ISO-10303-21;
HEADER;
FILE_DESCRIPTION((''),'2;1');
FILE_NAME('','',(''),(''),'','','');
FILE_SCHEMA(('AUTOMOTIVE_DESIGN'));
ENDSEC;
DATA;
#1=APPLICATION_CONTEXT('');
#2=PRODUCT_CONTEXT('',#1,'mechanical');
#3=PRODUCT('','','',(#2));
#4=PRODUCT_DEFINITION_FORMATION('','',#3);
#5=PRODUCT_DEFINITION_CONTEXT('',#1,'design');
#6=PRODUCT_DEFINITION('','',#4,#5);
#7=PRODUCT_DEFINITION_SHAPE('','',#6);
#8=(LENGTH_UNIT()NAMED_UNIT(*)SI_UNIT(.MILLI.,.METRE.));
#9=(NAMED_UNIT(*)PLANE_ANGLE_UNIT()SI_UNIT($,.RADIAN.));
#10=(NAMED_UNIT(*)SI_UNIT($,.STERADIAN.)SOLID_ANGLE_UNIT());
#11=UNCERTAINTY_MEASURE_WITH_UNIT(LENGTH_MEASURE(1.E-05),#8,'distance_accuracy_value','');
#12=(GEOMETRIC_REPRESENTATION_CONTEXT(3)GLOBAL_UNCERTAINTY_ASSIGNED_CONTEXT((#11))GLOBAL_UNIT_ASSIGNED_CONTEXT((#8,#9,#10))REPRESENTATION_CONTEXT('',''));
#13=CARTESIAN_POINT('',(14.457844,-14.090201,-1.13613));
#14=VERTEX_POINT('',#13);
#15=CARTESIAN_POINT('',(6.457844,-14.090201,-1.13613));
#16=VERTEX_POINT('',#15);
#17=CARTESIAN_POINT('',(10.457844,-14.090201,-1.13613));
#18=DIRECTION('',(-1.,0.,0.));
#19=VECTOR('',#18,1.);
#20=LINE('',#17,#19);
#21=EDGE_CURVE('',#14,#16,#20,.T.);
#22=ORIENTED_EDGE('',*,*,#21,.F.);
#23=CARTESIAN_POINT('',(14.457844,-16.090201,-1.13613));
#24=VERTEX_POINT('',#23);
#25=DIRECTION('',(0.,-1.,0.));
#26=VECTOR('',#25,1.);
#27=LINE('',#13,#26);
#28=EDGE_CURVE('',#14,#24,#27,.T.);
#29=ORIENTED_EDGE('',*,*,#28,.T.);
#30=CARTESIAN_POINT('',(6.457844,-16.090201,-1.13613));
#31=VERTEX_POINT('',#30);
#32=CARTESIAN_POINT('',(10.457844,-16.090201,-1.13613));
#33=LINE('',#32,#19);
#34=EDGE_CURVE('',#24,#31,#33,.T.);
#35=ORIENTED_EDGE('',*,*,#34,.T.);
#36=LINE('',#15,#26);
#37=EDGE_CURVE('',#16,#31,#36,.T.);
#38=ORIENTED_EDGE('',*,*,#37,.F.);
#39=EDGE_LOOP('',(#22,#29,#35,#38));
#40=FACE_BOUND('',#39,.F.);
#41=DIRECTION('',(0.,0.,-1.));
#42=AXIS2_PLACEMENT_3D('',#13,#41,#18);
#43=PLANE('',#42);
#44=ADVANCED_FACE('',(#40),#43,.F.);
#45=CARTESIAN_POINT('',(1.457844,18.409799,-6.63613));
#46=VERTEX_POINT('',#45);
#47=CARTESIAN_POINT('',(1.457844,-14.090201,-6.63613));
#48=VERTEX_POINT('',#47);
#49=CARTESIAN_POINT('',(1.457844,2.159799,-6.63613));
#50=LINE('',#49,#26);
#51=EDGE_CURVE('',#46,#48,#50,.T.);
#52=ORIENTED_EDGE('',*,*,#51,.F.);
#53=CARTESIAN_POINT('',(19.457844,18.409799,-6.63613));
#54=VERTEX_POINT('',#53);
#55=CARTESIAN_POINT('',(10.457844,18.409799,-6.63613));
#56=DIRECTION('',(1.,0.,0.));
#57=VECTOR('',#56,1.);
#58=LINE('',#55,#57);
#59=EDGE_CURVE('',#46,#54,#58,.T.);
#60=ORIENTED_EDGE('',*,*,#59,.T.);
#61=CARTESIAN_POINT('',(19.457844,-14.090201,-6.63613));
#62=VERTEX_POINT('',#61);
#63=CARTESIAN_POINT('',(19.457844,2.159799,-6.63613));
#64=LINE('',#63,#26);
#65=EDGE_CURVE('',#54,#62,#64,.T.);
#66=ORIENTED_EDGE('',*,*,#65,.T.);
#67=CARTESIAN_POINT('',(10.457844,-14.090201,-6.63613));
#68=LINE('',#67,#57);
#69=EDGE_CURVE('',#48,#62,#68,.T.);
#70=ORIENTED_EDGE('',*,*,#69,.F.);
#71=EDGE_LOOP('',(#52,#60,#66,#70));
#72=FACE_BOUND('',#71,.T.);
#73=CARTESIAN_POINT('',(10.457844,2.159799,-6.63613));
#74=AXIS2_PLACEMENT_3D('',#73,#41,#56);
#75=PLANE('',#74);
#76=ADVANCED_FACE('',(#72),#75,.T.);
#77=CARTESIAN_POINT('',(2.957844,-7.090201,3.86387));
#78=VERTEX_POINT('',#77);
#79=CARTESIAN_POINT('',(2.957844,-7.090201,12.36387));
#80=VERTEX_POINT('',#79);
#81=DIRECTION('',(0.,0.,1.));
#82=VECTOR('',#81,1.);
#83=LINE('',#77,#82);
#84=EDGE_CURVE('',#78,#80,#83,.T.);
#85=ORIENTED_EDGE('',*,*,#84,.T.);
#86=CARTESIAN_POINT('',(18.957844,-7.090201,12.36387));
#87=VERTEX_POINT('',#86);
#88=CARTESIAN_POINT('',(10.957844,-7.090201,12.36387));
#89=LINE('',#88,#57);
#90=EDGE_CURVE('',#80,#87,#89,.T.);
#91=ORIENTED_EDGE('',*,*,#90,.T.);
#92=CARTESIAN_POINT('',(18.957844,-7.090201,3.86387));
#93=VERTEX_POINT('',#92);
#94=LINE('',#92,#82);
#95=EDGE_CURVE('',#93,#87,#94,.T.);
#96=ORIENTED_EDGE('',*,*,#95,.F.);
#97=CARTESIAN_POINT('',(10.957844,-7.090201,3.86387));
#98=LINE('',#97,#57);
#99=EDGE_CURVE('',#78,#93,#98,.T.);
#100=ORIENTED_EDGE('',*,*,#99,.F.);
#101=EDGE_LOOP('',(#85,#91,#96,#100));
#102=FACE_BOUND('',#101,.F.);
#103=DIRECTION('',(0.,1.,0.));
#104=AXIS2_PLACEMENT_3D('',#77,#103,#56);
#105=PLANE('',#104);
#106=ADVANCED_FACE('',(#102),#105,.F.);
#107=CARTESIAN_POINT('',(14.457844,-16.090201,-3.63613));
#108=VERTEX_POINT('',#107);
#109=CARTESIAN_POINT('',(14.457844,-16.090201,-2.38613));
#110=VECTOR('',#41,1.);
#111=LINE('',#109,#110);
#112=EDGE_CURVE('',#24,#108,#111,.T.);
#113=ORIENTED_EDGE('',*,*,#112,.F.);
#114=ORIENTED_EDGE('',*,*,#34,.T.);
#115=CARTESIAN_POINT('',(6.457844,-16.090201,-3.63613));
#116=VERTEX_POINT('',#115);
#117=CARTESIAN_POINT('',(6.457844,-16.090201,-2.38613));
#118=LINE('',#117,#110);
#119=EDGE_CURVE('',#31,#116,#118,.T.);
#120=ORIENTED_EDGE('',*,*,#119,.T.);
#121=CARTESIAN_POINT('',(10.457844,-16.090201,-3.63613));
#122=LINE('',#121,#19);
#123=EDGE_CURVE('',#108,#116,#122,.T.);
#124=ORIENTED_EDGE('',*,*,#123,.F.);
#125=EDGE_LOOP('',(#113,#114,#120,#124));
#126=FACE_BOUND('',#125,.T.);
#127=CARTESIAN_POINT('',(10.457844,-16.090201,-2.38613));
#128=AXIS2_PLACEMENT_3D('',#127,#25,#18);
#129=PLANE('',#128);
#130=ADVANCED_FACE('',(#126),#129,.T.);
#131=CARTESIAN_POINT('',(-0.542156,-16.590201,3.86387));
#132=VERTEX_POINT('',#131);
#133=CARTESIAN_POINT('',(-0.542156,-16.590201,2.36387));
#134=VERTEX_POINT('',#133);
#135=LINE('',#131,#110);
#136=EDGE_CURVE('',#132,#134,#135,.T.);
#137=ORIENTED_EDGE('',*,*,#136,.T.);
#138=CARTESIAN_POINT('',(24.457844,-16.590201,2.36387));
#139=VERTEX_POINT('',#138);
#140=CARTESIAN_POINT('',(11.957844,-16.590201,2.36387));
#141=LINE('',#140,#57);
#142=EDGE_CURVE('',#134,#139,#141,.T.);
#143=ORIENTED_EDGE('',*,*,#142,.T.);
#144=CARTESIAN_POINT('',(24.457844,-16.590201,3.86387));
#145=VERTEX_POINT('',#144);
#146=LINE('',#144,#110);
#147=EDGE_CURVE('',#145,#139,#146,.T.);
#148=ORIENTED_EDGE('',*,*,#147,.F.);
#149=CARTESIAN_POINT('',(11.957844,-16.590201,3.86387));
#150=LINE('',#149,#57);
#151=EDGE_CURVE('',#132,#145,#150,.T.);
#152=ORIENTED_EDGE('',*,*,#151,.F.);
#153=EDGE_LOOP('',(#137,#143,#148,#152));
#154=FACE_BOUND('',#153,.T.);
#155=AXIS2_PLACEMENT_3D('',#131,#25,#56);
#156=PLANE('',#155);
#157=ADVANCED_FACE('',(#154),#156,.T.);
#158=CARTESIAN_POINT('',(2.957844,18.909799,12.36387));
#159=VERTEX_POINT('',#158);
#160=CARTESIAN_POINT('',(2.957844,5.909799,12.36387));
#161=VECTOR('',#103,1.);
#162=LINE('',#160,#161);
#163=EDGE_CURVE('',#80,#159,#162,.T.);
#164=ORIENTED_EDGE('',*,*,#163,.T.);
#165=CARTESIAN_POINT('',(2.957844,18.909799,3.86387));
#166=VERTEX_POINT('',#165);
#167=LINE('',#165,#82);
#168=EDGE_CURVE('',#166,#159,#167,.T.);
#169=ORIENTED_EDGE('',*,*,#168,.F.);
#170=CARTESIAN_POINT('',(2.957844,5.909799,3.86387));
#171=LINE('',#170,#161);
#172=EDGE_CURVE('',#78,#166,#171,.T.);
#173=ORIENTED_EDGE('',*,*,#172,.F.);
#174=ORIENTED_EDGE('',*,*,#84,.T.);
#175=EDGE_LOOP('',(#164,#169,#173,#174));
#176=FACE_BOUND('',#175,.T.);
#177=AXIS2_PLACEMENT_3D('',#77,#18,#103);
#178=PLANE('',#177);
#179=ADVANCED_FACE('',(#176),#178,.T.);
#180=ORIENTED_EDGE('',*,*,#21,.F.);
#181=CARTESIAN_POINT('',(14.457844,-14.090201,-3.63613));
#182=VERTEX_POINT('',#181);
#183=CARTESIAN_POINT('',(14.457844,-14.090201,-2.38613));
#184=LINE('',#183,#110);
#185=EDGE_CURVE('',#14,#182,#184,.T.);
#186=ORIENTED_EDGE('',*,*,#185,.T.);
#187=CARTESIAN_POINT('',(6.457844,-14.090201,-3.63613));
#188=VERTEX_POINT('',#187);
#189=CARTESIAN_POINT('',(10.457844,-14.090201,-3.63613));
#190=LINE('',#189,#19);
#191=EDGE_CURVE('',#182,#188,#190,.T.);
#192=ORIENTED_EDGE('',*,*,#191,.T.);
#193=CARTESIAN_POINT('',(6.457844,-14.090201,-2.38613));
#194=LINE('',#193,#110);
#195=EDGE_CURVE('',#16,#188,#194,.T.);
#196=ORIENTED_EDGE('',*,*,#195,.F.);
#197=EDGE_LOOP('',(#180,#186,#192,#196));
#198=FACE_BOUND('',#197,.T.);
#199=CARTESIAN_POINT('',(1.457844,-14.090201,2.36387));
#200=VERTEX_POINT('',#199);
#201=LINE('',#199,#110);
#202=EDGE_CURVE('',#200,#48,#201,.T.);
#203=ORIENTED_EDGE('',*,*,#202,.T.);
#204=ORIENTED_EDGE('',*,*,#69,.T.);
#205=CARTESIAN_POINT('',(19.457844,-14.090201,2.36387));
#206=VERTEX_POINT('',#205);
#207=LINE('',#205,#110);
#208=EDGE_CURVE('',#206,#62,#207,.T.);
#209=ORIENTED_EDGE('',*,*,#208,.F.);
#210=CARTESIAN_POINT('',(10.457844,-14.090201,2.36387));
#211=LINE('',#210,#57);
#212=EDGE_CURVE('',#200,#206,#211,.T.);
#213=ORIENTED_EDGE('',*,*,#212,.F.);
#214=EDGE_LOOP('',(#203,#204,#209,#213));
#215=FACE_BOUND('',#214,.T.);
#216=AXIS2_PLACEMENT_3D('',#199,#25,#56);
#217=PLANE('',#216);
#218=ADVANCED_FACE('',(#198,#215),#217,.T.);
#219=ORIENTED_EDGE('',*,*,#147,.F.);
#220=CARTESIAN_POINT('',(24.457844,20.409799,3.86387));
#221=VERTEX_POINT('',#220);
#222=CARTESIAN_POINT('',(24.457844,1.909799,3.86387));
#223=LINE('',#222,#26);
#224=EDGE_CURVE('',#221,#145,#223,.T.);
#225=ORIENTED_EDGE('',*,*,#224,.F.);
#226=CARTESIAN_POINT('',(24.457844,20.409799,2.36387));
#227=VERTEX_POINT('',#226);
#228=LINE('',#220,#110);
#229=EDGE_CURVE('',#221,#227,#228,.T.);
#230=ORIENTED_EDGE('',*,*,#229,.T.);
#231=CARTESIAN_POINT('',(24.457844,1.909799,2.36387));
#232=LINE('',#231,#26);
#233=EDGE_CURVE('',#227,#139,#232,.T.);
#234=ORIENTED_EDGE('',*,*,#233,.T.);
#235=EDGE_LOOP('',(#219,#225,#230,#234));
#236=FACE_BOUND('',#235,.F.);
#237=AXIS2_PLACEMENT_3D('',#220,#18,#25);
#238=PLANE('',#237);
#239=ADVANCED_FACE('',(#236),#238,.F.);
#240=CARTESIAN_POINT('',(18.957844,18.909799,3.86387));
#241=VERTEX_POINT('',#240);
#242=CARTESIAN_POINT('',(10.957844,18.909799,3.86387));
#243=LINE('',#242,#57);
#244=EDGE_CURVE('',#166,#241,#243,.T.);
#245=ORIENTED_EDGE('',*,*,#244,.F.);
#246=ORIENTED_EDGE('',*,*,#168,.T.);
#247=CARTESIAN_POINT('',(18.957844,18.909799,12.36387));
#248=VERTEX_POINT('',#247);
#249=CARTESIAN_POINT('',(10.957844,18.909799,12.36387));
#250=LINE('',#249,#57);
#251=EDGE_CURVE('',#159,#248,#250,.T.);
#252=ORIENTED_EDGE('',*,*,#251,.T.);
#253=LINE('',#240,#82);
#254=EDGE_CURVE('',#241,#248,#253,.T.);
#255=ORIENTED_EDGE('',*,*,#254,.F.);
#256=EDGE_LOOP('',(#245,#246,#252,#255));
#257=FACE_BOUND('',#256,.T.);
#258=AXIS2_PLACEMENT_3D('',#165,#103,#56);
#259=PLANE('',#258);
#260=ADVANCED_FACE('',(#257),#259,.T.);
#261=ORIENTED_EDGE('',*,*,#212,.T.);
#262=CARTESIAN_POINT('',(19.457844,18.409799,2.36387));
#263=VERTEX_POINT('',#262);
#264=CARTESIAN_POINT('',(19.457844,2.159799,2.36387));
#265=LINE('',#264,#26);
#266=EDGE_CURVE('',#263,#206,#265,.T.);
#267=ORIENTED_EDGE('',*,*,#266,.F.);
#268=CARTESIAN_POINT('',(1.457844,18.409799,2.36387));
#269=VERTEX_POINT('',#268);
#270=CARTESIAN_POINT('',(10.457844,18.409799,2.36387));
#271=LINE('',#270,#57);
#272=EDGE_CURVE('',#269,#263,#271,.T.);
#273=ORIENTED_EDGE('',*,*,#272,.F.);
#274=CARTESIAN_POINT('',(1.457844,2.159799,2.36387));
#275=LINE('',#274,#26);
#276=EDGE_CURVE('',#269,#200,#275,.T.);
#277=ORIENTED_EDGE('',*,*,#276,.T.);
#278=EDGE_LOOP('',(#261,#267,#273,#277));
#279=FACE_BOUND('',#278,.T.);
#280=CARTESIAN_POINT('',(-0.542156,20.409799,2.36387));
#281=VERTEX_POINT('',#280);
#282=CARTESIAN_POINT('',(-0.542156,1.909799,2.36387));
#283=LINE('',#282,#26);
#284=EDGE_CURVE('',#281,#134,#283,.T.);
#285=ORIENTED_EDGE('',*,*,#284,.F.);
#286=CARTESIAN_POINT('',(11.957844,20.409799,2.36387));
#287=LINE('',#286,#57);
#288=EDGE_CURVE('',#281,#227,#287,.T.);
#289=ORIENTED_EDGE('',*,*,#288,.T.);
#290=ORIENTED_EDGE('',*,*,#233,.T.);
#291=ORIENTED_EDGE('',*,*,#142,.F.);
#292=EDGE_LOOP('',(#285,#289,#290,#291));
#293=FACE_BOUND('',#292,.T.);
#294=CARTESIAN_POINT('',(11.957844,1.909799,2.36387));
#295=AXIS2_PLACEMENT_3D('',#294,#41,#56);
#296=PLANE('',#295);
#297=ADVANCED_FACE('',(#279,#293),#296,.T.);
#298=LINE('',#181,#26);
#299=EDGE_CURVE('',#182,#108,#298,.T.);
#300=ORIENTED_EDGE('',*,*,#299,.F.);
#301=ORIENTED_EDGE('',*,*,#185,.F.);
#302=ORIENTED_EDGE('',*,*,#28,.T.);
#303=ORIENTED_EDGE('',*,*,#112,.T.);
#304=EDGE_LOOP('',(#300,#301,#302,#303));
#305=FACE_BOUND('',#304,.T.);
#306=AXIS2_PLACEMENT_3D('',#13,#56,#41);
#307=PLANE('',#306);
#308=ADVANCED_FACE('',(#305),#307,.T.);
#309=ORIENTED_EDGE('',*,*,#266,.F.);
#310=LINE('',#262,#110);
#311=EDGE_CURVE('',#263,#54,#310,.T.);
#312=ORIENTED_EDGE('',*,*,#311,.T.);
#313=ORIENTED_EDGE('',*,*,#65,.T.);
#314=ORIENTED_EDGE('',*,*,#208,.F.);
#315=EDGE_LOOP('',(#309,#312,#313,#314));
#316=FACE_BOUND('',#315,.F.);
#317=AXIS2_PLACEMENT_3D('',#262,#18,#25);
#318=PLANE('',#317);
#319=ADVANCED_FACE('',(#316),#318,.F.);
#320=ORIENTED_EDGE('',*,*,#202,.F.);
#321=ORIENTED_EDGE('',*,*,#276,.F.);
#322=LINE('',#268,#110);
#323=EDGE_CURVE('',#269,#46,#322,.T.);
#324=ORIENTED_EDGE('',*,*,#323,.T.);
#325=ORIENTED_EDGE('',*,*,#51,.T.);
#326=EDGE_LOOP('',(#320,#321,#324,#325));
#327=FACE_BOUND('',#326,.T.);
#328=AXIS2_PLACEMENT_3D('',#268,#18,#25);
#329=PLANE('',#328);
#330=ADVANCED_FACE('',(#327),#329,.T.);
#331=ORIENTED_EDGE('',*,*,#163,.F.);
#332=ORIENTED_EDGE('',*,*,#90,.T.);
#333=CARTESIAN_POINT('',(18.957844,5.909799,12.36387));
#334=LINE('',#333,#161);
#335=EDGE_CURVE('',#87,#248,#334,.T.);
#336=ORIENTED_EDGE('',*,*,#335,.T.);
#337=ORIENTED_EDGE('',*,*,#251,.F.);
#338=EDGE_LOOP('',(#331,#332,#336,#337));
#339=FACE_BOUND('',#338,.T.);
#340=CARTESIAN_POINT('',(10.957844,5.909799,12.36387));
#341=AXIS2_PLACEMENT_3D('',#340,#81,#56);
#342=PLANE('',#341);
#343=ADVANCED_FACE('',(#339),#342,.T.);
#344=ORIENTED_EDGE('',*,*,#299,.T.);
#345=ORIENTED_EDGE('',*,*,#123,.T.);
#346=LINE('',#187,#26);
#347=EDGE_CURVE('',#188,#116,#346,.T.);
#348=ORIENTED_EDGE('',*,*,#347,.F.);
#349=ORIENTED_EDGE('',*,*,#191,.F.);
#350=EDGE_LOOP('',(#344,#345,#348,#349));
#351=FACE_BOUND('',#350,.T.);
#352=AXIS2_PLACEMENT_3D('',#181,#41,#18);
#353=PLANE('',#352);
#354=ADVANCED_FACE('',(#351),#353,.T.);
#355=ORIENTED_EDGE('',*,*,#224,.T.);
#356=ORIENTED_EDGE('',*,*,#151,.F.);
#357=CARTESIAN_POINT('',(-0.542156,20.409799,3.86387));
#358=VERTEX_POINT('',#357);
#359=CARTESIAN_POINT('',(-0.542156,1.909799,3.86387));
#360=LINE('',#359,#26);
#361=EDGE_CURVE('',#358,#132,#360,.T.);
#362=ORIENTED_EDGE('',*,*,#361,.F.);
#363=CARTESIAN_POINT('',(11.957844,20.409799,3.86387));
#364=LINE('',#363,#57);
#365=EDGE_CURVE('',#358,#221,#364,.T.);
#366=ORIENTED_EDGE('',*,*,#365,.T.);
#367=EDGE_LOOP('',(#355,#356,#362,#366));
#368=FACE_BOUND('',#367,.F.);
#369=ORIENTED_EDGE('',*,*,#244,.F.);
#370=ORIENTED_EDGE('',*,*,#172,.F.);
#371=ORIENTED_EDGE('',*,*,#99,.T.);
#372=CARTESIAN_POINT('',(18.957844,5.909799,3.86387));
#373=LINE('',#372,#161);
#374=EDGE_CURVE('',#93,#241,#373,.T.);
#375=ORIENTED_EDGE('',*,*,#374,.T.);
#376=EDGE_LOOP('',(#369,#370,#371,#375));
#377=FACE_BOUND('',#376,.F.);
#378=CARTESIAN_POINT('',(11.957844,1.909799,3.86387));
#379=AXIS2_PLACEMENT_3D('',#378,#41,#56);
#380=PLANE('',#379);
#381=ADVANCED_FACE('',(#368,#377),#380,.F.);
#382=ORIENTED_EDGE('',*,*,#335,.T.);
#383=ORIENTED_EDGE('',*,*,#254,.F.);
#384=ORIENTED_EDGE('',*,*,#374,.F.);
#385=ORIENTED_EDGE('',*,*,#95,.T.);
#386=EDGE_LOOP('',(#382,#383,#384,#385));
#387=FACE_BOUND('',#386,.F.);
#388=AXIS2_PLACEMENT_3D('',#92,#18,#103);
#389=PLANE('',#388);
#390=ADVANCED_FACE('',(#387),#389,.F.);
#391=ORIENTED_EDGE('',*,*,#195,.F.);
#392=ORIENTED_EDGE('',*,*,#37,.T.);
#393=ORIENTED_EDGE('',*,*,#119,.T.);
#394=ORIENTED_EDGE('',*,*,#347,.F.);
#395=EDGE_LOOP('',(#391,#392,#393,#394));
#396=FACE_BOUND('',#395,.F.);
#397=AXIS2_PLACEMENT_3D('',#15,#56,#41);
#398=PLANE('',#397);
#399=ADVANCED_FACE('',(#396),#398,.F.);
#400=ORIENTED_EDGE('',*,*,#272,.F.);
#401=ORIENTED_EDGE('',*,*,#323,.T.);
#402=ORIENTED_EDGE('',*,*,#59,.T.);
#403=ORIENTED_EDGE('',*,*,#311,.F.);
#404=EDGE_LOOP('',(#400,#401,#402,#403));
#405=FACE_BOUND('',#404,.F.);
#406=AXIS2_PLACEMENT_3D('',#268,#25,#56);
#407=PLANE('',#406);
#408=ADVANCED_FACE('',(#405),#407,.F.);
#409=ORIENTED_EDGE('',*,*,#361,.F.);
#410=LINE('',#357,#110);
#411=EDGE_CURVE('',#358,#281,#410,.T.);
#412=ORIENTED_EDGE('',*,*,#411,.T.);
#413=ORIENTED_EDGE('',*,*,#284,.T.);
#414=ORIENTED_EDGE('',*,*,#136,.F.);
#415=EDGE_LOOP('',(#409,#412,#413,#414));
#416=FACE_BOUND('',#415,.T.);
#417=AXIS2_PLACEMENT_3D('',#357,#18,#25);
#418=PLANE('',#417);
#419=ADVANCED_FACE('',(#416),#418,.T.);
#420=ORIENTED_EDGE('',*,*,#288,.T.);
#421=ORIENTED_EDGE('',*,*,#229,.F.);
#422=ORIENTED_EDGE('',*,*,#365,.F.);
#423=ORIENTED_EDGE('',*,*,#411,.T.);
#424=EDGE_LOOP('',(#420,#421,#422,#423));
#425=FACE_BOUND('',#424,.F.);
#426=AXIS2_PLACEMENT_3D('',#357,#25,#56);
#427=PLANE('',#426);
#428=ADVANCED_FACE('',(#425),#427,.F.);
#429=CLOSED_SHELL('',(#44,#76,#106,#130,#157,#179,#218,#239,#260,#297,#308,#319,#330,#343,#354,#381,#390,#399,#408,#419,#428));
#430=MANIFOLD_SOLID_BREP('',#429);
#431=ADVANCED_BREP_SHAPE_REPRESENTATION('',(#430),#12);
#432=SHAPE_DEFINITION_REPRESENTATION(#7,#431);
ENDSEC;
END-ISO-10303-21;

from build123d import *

# Parameters (mm, degrees)
SKETCH_W             = 25
SKETCH_H             = 37
PAD_DEPTH            = 1.5
SKETCH001_W          = 16
SKETCH001_H          = 26
PAD001_DEPTH         = 8.5
SKETCH002_W          = 18
SKETCH002_H          = 32.5
PAD002_DEPTH         = 9
SKETCH003_W          = 8
SKETCH003_H          = 2.5
PAD003_DEPTH         = 2
BODY_PITCH_ANGLE     = 90
BODY_PLACEMENT_ANGLE = -90


with BuildPart() as part:
    # Sketch → Pad (new body)
    with BuildSketch(Plane.YZ):
        with Locations((4.273874, -1.909899)):
            Rectangle(SKETCH_W, SKETCH_H)
    extrude(amount=PAD_DEPTH)

    # Sketch001 (on Face5 of Pad) → Pad001 (join)
    with BuildSketch(Plane(origin=(0, 0, 0), x_dir=(0, 1, 0), z_dir=(-1, 0, 0))):
        with Locations((3.273874, 5.909899)):
            Rectangle(SKETCH001_W, SKETCH001_H)
    extrude(amount=PAD001_DEPTH)

    # Sketch002 (on Face5 of Pad001) → Pad002 (join)
    with BuildSketch(Plane.YZ.offset(1.5)):
        with Locations((2.773874, -2.159899)):
            Rectangle(SKETCH002_W, SKETCH002_H)
    extrude(amount=PAD002_DEPTH)

    # Sketch003 (on Face14 of Pad002) → Pad003 (join)
    with BuildSketch(Plane(origin=(0, 0, 14.090101), x_dir=(0, -1, 0), z_dir=(0, 0, 1))):
        with Locations((-2.773874, 6.25)):
            Rectangle(SKETCH003_W, SKETCH003_H)
    extrude(amount=PAD003_DEPTH)


with BuildPart() as part_1:
    # Body pitch: moved
    add(part.part.rotate(Axis((0, 0, 0), (0, 1, 0)), BODY_PITCH_ANGLE))


with BuildPart() as part_2:
    # Body placement: moved
    add(part_1.part.moved(Location((7.68397, -0.0001, 3.86387))).rotate(Axis((7.68397, -0.0001, 3.86387), (0, 0, 1)), BODY_PLACEMENT_ANGLE))


solid = part_2.part
